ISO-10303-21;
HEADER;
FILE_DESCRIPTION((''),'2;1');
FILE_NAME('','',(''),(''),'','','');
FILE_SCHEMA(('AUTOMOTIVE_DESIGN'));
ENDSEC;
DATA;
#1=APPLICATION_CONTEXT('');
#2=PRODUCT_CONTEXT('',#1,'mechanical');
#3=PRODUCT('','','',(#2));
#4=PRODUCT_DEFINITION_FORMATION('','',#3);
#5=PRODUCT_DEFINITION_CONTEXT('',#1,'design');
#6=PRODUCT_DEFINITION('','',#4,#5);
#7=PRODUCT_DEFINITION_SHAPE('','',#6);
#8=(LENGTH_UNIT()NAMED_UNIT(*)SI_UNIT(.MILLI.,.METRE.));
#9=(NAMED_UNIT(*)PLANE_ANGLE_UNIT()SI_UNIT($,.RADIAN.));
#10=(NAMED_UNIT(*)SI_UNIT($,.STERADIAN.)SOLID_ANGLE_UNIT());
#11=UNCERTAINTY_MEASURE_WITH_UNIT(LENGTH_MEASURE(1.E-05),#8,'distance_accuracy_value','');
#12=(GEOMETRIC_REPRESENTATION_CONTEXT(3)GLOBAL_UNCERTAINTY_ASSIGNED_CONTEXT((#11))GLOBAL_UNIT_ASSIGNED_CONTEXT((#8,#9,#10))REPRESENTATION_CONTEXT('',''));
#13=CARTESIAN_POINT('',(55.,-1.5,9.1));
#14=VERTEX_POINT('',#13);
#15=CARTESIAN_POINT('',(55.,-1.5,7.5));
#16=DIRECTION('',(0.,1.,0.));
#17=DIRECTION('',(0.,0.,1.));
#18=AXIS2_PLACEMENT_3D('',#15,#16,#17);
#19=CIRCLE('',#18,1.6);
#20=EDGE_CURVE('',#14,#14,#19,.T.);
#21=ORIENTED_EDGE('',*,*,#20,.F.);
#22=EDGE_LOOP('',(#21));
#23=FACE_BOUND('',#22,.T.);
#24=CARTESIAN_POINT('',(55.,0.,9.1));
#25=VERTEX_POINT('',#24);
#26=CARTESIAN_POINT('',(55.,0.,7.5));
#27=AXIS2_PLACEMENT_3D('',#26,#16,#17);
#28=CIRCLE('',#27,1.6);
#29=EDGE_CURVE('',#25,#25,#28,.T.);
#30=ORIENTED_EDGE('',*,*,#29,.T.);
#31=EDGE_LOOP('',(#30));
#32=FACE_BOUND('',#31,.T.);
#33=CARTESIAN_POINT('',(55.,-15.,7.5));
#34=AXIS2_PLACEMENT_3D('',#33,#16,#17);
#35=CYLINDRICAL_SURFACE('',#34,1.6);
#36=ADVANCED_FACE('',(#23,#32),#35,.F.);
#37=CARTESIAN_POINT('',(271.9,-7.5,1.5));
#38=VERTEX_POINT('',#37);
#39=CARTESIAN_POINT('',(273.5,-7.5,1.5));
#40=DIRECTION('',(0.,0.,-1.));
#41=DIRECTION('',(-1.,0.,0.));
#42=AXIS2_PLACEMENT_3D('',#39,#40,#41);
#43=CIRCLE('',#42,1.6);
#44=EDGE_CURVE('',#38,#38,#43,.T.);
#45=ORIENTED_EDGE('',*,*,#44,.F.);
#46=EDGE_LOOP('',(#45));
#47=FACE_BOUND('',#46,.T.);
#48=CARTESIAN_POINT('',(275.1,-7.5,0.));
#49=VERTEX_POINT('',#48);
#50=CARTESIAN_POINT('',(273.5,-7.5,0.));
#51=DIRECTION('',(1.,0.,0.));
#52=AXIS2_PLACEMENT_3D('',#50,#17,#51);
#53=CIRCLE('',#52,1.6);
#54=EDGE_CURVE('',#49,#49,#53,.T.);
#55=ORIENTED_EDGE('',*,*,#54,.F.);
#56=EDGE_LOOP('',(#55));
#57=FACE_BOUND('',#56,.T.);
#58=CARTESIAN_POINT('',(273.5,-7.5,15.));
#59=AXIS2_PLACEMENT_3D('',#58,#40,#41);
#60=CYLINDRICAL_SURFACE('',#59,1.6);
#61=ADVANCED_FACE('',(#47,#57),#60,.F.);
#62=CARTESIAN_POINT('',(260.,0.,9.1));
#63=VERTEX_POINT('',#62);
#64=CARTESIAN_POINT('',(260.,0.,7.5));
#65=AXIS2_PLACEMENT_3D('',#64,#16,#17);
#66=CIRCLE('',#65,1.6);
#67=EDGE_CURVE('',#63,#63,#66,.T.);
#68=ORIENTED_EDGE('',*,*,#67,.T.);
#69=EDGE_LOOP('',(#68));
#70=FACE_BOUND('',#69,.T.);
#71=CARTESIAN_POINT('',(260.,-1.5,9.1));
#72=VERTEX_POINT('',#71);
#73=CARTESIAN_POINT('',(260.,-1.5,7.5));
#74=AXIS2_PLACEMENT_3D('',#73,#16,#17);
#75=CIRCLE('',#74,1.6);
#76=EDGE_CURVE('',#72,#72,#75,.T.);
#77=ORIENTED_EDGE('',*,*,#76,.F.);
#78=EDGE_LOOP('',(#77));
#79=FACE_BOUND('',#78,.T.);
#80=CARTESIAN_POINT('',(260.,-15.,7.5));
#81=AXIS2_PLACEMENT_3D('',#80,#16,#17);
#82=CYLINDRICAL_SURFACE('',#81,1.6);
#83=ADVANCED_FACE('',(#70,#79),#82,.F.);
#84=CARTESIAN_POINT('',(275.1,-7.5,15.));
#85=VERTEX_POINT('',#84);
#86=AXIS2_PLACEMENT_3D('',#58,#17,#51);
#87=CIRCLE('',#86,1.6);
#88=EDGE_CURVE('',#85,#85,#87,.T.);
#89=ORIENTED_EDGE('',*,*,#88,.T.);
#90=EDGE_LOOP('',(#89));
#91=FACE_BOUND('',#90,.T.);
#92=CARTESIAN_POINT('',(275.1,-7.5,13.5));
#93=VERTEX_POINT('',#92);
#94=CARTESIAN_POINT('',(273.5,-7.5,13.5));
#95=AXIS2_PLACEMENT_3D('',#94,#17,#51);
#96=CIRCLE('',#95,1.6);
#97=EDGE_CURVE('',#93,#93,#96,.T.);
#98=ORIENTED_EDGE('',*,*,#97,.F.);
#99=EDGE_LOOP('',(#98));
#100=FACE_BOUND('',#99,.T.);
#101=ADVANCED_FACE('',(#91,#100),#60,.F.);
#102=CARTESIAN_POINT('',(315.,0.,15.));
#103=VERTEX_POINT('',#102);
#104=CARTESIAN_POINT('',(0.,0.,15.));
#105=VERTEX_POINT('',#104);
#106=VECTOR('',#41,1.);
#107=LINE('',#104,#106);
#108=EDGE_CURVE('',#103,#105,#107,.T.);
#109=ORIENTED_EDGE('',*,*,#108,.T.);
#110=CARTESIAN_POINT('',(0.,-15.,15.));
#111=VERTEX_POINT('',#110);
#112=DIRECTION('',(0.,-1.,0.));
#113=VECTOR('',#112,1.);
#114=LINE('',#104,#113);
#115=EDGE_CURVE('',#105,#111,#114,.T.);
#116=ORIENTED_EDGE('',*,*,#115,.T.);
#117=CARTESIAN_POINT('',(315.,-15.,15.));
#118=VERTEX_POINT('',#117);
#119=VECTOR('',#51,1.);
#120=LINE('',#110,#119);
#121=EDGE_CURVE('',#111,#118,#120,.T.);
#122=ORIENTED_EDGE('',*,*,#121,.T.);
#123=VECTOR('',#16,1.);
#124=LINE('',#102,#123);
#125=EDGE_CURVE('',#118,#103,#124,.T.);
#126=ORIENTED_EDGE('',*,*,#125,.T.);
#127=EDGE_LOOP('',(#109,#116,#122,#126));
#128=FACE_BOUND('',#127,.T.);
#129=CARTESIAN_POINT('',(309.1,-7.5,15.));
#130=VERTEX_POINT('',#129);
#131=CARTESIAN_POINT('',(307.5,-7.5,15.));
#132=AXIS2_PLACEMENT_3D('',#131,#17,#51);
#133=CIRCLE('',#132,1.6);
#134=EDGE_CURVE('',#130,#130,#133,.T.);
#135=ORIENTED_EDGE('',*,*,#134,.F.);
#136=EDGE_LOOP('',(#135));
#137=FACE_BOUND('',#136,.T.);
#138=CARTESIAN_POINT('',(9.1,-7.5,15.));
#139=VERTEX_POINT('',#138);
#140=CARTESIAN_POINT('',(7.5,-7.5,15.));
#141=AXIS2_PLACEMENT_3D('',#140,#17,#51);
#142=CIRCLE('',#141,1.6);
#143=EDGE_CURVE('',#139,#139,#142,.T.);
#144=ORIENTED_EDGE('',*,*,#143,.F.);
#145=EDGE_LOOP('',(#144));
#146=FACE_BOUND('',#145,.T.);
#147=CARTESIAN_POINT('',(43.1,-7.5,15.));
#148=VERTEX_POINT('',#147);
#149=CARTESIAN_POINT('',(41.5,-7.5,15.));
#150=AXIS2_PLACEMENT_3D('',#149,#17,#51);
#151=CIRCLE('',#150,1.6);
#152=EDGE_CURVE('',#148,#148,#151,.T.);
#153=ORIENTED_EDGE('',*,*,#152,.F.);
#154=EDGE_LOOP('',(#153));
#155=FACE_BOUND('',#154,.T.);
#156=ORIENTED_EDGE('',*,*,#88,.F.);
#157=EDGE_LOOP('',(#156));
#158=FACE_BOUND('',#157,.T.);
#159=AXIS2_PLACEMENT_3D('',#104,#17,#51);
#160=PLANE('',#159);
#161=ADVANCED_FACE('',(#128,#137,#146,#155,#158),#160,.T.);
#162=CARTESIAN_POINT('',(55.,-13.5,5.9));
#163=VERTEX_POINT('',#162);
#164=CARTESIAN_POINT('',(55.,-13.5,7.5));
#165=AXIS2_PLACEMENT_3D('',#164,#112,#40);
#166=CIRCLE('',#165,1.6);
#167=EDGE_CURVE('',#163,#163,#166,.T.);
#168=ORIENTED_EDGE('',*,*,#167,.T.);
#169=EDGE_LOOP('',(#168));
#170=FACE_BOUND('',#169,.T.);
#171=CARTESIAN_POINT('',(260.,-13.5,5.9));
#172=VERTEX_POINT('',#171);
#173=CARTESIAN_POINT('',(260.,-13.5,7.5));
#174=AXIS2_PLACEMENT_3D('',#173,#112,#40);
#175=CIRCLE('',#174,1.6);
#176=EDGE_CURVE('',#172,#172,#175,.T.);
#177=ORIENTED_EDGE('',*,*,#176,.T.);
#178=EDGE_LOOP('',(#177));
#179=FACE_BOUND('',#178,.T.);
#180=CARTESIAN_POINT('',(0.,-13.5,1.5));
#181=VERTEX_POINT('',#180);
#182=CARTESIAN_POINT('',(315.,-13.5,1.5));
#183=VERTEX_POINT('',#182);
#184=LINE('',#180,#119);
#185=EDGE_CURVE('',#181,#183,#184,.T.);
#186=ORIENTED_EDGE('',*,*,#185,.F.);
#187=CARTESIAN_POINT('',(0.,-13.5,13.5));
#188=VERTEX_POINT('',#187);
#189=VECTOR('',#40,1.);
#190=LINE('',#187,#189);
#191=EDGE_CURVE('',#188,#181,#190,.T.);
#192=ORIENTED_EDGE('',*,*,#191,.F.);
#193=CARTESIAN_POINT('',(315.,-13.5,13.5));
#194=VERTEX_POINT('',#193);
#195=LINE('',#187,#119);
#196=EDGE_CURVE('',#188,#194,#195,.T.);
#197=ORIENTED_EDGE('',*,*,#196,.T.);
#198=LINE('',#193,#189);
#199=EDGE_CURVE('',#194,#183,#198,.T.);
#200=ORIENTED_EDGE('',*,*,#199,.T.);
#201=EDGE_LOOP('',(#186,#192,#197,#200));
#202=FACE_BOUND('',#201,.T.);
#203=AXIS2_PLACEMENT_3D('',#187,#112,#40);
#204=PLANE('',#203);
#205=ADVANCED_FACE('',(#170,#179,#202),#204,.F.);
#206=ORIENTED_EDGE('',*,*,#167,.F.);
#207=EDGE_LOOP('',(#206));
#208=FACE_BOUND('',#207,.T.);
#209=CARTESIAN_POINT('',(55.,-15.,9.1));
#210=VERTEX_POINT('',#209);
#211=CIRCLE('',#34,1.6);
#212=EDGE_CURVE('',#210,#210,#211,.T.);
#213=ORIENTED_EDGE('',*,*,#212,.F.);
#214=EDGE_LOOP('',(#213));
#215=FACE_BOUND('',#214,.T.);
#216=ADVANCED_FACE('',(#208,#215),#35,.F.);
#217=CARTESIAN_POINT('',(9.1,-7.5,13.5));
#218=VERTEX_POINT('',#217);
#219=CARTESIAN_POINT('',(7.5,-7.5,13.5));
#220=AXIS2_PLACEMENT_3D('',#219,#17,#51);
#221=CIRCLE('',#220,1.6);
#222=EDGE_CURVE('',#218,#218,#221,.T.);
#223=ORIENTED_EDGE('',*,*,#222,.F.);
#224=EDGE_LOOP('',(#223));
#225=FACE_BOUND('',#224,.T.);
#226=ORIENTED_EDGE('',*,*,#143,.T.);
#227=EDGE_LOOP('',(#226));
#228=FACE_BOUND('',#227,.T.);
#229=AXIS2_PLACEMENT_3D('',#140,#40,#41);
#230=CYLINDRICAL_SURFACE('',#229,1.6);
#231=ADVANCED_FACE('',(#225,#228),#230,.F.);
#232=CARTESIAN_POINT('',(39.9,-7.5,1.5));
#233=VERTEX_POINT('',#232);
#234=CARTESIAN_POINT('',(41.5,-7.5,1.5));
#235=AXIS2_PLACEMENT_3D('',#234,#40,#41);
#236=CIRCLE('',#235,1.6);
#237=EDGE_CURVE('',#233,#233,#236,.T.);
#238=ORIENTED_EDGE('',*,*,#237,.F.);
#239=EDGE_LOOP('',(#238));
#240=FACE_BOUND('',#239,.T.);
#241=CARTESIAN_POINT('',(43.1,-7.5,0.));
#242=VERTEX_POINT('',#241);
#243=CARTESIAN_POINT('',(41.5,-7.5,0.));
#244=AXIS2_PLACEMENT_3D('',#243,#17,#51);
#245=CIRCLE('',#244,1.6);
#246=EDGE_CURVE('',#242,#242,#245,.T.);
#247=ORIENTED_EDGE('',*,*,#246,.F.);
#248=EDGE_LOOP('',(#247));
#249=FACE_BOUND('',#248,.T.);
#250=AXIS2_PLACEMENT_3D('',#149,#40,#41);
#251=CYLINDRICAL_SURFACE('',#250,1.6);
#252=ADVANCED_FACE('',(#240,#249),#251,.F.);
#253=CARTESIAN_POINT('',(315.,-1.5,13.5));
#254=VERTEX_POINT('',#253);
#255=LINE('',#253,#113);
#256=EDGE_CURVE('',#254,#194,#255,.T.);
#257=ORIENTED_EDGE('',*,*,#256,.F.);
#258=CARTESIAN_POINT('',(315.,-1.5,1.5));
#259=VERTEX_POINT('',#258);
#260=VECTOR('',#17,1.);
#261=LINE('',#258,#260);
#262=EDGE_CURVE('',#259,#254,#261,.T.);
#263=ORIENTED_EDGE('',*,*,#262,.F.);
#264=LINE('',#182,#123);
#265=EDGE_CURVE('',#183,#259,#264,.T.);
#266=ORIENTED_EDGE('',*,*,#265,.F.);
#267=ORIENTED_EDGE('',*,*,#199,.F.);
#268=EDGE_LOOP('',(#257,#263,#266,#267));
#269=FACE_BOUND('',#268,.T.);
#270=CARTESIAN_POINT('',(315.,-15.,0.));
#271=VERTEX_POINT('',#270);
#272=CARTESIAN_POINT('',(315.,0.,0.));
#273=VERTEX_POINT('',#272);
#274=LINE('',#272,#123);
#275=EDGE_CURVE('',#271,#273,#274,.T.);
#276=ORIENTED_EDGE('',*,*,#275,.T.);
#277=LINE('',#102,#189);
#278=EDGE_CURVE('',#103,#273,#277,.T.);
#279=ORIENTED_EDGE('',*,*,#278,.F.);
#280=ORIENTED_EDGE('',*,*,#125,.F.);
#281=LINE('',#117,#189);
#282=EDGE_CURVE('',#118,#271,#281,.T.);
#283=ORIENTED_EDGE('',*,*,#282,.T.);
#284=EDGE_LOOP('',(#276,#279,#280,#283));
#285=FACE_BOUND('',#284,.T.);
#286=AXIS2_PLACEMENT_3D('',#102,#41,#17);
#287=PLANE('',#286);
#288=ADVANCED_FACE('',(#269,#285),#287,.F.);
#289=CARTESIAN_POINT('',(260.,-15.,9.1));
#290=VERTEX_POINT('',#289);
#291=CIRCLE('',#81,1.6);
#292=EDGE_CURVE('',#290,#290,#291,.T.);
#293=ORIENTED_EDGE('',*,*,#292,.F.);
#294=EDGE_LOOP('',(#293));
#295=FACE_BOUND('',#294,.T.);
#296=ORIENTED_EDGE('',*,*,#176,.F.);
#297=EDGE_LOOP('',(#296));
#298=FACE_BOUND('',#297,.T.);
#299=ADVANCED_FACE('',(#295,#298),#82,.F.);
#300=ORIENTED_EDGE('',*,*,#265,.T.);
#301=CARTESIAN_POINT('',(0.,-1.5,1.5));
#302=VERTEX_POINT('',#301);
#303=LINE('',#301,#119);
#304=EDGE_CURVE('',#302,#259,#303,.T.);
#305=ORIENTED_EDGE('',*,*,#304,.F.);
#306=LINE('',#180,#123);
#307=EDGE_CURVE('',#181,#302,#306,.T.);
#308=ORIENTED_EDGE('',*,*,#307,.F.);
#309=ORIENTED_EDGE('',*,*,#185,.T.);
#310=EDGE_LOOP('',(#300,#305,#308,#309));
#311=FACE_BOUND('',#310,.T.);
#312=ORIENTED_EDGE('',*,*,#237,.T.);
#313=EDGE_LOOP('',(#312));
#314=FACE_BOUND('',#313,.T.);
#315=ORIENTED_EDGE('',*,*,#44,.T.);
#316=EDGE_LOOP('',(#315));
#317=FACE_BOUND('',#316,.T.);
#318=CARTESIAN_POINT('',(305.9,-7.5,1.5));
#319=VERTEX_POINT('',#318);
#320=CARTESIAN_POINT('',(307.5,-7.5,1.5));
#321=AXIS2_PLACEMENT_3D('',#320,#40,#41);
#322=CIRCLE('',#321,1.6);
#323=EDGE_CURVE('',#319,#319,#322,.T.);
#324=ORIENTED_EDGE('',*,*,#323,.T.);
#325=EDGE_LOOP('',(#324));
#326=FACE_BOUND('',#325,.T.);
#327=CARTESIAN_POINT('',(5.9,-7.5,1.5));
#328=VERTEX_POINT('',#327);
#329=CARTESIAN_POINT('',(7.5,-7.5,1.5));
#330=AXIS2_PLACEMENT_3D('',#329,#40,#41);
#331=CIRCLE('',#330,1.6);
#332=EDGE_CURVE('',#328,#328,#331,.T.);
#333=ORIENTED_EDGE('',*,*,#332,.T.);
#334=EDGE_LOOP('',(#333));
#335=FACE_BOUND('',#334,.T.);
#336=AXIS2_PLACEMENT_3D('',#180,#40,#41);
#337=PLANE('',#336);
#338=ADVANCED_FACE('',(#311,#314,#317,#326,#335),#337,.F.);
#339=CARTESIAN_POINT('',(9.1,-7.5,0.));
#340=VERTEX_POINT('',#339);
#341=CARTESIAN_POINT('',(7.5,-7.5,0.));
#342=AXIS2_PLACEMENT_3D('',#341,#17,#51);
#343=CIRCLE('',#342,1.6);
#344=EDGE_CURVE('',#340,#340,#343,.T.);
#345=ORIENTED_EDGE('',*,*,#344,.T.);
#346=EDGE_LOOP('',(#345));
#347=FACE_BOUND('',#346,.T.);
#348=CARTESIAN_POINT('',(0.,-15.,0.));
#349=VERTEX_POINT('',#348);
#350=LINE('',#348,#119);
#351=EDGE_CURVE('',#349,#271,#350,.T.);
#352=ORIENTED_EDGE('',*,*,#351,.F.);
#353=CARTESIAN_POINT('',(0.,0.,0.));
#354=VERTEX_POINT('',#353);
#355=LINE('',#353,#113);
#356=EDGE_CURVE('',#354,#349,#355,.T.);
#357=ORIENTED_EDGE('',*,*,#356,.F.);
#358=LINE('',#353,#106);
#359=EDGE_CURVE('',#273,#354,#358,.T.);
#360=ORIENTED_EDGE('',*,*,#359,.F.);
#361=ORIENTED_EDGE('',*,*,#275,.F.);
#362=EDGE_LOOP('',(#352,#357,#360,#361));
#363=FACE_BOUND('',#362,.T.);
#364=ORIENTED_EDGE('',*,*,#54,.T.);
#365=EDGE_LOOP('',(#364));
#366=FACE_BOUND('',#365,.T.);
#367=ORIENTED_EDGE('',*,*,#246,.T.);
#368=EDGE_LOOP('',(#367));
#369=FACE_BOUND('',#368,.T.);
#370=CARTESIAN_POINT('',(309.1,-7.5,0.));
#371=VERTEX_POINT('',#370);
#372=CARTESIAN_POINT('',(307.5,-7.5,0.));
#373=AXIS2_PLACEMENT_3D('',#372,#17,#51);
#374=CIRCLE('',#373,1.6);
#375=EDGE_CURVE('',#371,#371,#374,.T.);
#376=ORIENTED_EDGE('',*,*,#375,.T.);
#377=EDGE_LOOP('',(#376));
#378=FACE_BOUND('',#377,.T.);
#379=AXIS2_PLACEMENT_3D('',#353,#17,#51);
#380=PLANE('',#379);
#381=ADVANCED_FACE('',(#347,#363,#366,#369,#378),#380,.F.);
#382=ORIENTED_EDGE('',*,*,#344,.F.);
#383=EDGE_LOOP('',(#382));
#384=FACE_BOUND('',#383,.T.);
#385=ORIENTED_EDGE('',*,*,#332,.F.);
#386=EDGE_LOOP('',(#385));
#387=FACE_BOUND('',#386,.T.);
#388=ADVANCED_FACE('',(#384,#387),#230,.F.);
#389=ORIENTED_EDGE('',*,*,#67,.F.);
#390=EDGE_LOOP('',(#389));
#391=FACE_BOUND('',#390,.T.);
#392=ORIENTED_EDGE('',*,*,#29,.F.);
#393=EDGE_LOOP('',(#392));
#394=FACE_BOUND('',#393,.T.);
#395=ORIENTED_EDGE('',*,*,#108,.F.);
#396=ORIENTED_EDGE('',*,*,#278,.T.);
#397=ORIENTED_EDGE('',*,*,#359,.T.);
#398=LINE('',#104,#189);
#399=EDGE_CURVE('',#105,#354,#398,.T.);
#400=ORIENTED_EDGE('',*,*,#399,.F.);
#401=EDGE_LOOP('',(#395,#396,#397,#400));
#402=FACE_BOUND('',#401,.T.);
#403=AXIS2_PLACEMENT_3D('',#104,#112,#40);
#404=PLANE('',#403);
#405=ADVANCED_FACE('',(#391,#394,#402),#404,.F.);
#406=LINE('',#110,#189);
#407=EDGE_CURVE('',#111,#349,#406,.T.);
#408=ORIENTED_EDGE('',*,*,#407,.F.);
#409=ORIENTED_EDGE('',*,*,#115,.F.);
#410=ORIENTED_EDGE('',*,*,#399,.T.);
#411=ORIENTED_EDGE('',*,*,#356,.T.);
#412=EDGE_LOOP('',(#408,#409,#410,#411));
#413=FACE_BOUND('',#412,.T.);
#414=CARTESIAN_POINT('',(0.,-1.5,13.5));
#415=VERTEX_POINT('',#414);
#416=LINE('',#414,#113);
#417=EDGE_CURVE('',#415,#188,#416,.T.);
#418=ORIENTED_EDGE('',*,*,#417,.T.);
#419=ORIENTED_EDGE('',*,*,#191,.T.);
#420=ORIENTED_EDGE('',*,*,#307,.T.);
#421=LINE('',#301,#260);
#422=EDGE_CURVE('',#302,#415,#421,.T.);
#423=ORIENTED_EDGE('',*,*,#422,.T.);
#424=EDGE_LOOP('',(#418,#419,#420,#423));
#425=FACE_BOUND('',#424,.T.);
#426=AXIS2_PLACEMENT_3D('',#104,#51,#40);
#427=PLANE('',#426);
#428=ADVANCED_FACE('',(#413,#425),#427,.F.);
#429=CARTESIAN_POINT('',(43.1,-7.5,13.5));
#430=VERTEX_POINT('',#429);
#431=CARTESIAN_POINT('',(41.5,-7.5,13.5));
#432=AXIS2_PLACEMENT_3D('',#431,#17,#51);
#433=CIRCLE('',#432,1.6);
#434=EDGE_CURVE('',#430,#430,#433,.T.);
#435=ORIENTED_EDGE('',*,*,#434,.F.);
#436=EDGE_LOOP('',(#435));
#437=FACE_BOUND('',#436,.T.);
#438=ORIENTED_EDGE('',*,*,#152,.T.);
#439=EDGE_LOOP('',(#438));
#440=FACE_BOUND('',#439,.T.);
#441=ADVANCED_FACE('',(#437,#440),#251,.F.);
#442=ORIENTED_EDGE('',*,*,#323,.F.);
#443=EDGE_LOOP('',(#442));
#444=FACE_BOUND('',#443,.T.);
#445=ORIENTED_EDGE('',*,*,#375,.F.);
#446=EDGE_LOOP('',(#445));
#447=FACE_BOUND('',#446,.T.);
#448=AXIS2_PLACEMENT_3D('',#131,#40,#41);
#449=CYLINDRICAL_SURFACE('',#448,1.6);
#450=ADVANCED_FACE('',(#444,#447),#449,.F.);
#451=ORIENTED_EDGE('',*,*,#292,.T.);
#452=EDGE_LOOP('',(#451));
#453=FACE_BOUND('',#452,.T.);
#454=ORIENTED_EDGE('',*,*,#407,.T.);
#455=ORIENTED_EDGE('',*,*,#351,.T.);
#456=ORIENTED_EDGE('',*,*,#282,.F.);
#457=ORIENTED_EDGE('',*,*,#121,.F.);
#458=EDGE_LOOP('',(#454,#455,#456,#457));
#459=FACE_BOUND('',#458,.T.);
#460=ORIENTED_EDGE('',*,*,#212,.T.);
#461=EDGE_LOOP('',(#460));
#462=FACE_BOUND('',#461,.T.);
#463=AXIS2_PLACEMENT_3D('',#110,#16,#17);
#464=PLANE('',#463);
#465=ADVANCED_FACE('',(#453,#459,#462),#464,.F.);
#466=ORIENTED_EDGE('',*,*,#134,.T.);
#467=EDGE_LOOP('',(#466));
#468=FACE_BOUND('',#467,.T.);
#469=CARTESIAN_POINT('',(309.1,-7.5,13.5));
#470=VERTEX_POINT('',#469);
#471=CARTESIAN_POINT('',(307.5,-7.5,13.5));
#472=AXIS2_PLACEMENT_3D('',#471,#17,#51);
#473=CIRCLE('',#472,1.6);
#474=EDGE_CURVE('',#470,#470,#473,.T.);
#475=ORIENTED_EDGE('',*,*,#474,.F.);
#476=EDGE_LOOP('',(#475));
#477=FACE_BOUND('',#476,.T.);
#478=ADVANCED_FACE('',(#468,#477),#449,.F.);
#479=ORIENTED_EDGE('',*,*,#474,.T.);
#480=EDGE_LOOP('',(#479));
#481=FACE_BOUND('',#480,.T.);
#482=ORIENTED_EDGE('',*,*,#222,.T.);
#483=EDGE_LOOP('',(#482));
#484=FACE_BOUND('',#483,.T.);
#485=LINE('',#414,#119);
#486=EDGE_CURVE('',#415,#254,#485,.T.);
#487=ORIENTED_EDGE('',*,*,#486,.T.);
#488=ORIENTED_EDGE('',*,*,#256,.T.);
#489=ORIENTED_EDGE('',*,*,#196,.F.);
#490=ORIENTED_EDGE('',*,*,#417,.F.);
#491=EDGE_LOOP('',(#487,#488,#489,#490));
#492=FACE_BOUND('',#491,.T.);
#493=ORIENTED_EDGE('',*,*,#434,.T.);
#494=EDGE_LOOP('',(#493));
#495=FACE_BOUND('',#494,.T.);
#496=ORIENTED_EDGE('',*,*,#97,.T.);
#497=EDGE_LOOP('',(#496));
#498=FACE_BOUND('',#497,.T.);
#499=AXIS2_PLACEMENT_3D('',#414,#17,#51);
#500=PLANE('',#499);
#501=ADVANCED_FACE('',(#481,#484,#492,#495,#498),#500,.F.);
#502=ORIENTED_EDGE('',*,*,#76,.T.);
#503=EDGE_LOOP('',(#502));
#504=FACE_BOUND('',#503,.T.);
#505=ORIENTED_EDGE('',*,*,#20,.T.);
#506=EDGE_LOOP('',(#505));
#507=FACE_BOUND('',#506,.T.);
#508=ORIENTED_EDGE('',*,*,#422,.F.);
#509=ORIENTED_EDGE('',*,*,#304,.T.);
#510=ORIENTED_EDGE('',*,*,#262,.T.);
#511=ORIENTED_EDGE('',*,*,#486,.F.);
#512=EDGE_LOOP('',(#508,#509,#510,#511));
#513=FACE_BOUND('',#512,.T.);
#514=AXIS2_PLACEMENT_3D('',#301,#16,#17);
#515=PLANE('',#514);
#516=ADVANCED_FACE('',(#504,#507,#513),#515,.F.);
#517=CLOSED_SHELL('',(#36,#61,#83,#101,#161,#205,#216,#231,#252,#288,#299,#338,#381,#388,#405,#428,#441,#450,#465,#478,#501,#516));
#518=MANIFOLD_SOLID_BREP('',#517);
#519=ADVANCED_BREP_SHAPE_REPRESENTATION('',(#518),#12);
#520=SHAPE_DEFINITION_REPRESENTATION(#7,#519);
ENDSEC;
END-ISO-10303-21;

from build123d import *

# Parameters (mm, degrees)
SKETCH_2_W          = 315
SKETCH_2_H          = 15
SKETCH_2_R          = 1.6
EXTRUDE_1_DEPTH     = 15
SKETCH_3_W          = 12
SKETCH_3_H          = 12
CUT_EXTRUDE_1_DEPTH = 316.713477698
SKETCH_4_R          = 1.6
CUT_EXTRUDE_2_DEPTH = 316.713477698


with BuildPart() as part:
    # ｽｹｯﾁ2 → ﾎﾞｽ - 押し出し1 (new body)
    with BuildSketch(Plane.XY):
        with Locations((157.5, -7.5)):
            Rectangle(SKETCH_2_W, SKETCH_2_H)
        with Locations((7.5, -7.5)):
            Circle(SKETCH_2_R, mode=Mode.SUBTRACT)
        with Locations((41.5, -7.5)):
            Circle(SKETCH_2_R, mode=Mode.SUBTRACT)
        with Locations((273.5, -7.5)):
            Circle(SKETCH_2_R, mode=Mode.SUBTRACT)
        with Locations((307.5, -7.5)):
            Circle(SKETCH_2_R, mode=Mode.SUBTRACT)
    extrude(amount=EXTRUDE_1_DEPTH)

    # ｽｹｯﾁ3 → ｶｯﾄ - 押し出し1 (cut, through all)
    with BuildSketch(Plane(origin=(315, 0, 0), x_dir=(0, 0, -1), z_dir=(1, 0, 0))):
        with Locations((-7.5, -7.5)):
            Rectangle(SKETCH_3_W, SKETCH_3_H)
    extrude(amount=-CUT_EXTRUDE_1_DEPTH, mode=Mode.SUBTRACT)

    # ｽｹｯﾁ4 → ｶｯﾄ - 押し出し2 (cut, through all)
    with BuildSketch(Plane(origin=(0, 0, 0), x_dir=(1, 0, 0), z_dir=(0, 1, 0))):
        with Locations(Location((55, -7.5, 0), (0, 0, 270))):
            Circle(SKETCH_4_R)
        with Locations(Location((260, -7.5, 0), (0, 0, 270))):
            Circle(SKETCH_4_R)
    extrude(amount=-CUT_EXTRUDE_2_DEPTH, mode=Mode.SUBTRACT)


solid = part.part
